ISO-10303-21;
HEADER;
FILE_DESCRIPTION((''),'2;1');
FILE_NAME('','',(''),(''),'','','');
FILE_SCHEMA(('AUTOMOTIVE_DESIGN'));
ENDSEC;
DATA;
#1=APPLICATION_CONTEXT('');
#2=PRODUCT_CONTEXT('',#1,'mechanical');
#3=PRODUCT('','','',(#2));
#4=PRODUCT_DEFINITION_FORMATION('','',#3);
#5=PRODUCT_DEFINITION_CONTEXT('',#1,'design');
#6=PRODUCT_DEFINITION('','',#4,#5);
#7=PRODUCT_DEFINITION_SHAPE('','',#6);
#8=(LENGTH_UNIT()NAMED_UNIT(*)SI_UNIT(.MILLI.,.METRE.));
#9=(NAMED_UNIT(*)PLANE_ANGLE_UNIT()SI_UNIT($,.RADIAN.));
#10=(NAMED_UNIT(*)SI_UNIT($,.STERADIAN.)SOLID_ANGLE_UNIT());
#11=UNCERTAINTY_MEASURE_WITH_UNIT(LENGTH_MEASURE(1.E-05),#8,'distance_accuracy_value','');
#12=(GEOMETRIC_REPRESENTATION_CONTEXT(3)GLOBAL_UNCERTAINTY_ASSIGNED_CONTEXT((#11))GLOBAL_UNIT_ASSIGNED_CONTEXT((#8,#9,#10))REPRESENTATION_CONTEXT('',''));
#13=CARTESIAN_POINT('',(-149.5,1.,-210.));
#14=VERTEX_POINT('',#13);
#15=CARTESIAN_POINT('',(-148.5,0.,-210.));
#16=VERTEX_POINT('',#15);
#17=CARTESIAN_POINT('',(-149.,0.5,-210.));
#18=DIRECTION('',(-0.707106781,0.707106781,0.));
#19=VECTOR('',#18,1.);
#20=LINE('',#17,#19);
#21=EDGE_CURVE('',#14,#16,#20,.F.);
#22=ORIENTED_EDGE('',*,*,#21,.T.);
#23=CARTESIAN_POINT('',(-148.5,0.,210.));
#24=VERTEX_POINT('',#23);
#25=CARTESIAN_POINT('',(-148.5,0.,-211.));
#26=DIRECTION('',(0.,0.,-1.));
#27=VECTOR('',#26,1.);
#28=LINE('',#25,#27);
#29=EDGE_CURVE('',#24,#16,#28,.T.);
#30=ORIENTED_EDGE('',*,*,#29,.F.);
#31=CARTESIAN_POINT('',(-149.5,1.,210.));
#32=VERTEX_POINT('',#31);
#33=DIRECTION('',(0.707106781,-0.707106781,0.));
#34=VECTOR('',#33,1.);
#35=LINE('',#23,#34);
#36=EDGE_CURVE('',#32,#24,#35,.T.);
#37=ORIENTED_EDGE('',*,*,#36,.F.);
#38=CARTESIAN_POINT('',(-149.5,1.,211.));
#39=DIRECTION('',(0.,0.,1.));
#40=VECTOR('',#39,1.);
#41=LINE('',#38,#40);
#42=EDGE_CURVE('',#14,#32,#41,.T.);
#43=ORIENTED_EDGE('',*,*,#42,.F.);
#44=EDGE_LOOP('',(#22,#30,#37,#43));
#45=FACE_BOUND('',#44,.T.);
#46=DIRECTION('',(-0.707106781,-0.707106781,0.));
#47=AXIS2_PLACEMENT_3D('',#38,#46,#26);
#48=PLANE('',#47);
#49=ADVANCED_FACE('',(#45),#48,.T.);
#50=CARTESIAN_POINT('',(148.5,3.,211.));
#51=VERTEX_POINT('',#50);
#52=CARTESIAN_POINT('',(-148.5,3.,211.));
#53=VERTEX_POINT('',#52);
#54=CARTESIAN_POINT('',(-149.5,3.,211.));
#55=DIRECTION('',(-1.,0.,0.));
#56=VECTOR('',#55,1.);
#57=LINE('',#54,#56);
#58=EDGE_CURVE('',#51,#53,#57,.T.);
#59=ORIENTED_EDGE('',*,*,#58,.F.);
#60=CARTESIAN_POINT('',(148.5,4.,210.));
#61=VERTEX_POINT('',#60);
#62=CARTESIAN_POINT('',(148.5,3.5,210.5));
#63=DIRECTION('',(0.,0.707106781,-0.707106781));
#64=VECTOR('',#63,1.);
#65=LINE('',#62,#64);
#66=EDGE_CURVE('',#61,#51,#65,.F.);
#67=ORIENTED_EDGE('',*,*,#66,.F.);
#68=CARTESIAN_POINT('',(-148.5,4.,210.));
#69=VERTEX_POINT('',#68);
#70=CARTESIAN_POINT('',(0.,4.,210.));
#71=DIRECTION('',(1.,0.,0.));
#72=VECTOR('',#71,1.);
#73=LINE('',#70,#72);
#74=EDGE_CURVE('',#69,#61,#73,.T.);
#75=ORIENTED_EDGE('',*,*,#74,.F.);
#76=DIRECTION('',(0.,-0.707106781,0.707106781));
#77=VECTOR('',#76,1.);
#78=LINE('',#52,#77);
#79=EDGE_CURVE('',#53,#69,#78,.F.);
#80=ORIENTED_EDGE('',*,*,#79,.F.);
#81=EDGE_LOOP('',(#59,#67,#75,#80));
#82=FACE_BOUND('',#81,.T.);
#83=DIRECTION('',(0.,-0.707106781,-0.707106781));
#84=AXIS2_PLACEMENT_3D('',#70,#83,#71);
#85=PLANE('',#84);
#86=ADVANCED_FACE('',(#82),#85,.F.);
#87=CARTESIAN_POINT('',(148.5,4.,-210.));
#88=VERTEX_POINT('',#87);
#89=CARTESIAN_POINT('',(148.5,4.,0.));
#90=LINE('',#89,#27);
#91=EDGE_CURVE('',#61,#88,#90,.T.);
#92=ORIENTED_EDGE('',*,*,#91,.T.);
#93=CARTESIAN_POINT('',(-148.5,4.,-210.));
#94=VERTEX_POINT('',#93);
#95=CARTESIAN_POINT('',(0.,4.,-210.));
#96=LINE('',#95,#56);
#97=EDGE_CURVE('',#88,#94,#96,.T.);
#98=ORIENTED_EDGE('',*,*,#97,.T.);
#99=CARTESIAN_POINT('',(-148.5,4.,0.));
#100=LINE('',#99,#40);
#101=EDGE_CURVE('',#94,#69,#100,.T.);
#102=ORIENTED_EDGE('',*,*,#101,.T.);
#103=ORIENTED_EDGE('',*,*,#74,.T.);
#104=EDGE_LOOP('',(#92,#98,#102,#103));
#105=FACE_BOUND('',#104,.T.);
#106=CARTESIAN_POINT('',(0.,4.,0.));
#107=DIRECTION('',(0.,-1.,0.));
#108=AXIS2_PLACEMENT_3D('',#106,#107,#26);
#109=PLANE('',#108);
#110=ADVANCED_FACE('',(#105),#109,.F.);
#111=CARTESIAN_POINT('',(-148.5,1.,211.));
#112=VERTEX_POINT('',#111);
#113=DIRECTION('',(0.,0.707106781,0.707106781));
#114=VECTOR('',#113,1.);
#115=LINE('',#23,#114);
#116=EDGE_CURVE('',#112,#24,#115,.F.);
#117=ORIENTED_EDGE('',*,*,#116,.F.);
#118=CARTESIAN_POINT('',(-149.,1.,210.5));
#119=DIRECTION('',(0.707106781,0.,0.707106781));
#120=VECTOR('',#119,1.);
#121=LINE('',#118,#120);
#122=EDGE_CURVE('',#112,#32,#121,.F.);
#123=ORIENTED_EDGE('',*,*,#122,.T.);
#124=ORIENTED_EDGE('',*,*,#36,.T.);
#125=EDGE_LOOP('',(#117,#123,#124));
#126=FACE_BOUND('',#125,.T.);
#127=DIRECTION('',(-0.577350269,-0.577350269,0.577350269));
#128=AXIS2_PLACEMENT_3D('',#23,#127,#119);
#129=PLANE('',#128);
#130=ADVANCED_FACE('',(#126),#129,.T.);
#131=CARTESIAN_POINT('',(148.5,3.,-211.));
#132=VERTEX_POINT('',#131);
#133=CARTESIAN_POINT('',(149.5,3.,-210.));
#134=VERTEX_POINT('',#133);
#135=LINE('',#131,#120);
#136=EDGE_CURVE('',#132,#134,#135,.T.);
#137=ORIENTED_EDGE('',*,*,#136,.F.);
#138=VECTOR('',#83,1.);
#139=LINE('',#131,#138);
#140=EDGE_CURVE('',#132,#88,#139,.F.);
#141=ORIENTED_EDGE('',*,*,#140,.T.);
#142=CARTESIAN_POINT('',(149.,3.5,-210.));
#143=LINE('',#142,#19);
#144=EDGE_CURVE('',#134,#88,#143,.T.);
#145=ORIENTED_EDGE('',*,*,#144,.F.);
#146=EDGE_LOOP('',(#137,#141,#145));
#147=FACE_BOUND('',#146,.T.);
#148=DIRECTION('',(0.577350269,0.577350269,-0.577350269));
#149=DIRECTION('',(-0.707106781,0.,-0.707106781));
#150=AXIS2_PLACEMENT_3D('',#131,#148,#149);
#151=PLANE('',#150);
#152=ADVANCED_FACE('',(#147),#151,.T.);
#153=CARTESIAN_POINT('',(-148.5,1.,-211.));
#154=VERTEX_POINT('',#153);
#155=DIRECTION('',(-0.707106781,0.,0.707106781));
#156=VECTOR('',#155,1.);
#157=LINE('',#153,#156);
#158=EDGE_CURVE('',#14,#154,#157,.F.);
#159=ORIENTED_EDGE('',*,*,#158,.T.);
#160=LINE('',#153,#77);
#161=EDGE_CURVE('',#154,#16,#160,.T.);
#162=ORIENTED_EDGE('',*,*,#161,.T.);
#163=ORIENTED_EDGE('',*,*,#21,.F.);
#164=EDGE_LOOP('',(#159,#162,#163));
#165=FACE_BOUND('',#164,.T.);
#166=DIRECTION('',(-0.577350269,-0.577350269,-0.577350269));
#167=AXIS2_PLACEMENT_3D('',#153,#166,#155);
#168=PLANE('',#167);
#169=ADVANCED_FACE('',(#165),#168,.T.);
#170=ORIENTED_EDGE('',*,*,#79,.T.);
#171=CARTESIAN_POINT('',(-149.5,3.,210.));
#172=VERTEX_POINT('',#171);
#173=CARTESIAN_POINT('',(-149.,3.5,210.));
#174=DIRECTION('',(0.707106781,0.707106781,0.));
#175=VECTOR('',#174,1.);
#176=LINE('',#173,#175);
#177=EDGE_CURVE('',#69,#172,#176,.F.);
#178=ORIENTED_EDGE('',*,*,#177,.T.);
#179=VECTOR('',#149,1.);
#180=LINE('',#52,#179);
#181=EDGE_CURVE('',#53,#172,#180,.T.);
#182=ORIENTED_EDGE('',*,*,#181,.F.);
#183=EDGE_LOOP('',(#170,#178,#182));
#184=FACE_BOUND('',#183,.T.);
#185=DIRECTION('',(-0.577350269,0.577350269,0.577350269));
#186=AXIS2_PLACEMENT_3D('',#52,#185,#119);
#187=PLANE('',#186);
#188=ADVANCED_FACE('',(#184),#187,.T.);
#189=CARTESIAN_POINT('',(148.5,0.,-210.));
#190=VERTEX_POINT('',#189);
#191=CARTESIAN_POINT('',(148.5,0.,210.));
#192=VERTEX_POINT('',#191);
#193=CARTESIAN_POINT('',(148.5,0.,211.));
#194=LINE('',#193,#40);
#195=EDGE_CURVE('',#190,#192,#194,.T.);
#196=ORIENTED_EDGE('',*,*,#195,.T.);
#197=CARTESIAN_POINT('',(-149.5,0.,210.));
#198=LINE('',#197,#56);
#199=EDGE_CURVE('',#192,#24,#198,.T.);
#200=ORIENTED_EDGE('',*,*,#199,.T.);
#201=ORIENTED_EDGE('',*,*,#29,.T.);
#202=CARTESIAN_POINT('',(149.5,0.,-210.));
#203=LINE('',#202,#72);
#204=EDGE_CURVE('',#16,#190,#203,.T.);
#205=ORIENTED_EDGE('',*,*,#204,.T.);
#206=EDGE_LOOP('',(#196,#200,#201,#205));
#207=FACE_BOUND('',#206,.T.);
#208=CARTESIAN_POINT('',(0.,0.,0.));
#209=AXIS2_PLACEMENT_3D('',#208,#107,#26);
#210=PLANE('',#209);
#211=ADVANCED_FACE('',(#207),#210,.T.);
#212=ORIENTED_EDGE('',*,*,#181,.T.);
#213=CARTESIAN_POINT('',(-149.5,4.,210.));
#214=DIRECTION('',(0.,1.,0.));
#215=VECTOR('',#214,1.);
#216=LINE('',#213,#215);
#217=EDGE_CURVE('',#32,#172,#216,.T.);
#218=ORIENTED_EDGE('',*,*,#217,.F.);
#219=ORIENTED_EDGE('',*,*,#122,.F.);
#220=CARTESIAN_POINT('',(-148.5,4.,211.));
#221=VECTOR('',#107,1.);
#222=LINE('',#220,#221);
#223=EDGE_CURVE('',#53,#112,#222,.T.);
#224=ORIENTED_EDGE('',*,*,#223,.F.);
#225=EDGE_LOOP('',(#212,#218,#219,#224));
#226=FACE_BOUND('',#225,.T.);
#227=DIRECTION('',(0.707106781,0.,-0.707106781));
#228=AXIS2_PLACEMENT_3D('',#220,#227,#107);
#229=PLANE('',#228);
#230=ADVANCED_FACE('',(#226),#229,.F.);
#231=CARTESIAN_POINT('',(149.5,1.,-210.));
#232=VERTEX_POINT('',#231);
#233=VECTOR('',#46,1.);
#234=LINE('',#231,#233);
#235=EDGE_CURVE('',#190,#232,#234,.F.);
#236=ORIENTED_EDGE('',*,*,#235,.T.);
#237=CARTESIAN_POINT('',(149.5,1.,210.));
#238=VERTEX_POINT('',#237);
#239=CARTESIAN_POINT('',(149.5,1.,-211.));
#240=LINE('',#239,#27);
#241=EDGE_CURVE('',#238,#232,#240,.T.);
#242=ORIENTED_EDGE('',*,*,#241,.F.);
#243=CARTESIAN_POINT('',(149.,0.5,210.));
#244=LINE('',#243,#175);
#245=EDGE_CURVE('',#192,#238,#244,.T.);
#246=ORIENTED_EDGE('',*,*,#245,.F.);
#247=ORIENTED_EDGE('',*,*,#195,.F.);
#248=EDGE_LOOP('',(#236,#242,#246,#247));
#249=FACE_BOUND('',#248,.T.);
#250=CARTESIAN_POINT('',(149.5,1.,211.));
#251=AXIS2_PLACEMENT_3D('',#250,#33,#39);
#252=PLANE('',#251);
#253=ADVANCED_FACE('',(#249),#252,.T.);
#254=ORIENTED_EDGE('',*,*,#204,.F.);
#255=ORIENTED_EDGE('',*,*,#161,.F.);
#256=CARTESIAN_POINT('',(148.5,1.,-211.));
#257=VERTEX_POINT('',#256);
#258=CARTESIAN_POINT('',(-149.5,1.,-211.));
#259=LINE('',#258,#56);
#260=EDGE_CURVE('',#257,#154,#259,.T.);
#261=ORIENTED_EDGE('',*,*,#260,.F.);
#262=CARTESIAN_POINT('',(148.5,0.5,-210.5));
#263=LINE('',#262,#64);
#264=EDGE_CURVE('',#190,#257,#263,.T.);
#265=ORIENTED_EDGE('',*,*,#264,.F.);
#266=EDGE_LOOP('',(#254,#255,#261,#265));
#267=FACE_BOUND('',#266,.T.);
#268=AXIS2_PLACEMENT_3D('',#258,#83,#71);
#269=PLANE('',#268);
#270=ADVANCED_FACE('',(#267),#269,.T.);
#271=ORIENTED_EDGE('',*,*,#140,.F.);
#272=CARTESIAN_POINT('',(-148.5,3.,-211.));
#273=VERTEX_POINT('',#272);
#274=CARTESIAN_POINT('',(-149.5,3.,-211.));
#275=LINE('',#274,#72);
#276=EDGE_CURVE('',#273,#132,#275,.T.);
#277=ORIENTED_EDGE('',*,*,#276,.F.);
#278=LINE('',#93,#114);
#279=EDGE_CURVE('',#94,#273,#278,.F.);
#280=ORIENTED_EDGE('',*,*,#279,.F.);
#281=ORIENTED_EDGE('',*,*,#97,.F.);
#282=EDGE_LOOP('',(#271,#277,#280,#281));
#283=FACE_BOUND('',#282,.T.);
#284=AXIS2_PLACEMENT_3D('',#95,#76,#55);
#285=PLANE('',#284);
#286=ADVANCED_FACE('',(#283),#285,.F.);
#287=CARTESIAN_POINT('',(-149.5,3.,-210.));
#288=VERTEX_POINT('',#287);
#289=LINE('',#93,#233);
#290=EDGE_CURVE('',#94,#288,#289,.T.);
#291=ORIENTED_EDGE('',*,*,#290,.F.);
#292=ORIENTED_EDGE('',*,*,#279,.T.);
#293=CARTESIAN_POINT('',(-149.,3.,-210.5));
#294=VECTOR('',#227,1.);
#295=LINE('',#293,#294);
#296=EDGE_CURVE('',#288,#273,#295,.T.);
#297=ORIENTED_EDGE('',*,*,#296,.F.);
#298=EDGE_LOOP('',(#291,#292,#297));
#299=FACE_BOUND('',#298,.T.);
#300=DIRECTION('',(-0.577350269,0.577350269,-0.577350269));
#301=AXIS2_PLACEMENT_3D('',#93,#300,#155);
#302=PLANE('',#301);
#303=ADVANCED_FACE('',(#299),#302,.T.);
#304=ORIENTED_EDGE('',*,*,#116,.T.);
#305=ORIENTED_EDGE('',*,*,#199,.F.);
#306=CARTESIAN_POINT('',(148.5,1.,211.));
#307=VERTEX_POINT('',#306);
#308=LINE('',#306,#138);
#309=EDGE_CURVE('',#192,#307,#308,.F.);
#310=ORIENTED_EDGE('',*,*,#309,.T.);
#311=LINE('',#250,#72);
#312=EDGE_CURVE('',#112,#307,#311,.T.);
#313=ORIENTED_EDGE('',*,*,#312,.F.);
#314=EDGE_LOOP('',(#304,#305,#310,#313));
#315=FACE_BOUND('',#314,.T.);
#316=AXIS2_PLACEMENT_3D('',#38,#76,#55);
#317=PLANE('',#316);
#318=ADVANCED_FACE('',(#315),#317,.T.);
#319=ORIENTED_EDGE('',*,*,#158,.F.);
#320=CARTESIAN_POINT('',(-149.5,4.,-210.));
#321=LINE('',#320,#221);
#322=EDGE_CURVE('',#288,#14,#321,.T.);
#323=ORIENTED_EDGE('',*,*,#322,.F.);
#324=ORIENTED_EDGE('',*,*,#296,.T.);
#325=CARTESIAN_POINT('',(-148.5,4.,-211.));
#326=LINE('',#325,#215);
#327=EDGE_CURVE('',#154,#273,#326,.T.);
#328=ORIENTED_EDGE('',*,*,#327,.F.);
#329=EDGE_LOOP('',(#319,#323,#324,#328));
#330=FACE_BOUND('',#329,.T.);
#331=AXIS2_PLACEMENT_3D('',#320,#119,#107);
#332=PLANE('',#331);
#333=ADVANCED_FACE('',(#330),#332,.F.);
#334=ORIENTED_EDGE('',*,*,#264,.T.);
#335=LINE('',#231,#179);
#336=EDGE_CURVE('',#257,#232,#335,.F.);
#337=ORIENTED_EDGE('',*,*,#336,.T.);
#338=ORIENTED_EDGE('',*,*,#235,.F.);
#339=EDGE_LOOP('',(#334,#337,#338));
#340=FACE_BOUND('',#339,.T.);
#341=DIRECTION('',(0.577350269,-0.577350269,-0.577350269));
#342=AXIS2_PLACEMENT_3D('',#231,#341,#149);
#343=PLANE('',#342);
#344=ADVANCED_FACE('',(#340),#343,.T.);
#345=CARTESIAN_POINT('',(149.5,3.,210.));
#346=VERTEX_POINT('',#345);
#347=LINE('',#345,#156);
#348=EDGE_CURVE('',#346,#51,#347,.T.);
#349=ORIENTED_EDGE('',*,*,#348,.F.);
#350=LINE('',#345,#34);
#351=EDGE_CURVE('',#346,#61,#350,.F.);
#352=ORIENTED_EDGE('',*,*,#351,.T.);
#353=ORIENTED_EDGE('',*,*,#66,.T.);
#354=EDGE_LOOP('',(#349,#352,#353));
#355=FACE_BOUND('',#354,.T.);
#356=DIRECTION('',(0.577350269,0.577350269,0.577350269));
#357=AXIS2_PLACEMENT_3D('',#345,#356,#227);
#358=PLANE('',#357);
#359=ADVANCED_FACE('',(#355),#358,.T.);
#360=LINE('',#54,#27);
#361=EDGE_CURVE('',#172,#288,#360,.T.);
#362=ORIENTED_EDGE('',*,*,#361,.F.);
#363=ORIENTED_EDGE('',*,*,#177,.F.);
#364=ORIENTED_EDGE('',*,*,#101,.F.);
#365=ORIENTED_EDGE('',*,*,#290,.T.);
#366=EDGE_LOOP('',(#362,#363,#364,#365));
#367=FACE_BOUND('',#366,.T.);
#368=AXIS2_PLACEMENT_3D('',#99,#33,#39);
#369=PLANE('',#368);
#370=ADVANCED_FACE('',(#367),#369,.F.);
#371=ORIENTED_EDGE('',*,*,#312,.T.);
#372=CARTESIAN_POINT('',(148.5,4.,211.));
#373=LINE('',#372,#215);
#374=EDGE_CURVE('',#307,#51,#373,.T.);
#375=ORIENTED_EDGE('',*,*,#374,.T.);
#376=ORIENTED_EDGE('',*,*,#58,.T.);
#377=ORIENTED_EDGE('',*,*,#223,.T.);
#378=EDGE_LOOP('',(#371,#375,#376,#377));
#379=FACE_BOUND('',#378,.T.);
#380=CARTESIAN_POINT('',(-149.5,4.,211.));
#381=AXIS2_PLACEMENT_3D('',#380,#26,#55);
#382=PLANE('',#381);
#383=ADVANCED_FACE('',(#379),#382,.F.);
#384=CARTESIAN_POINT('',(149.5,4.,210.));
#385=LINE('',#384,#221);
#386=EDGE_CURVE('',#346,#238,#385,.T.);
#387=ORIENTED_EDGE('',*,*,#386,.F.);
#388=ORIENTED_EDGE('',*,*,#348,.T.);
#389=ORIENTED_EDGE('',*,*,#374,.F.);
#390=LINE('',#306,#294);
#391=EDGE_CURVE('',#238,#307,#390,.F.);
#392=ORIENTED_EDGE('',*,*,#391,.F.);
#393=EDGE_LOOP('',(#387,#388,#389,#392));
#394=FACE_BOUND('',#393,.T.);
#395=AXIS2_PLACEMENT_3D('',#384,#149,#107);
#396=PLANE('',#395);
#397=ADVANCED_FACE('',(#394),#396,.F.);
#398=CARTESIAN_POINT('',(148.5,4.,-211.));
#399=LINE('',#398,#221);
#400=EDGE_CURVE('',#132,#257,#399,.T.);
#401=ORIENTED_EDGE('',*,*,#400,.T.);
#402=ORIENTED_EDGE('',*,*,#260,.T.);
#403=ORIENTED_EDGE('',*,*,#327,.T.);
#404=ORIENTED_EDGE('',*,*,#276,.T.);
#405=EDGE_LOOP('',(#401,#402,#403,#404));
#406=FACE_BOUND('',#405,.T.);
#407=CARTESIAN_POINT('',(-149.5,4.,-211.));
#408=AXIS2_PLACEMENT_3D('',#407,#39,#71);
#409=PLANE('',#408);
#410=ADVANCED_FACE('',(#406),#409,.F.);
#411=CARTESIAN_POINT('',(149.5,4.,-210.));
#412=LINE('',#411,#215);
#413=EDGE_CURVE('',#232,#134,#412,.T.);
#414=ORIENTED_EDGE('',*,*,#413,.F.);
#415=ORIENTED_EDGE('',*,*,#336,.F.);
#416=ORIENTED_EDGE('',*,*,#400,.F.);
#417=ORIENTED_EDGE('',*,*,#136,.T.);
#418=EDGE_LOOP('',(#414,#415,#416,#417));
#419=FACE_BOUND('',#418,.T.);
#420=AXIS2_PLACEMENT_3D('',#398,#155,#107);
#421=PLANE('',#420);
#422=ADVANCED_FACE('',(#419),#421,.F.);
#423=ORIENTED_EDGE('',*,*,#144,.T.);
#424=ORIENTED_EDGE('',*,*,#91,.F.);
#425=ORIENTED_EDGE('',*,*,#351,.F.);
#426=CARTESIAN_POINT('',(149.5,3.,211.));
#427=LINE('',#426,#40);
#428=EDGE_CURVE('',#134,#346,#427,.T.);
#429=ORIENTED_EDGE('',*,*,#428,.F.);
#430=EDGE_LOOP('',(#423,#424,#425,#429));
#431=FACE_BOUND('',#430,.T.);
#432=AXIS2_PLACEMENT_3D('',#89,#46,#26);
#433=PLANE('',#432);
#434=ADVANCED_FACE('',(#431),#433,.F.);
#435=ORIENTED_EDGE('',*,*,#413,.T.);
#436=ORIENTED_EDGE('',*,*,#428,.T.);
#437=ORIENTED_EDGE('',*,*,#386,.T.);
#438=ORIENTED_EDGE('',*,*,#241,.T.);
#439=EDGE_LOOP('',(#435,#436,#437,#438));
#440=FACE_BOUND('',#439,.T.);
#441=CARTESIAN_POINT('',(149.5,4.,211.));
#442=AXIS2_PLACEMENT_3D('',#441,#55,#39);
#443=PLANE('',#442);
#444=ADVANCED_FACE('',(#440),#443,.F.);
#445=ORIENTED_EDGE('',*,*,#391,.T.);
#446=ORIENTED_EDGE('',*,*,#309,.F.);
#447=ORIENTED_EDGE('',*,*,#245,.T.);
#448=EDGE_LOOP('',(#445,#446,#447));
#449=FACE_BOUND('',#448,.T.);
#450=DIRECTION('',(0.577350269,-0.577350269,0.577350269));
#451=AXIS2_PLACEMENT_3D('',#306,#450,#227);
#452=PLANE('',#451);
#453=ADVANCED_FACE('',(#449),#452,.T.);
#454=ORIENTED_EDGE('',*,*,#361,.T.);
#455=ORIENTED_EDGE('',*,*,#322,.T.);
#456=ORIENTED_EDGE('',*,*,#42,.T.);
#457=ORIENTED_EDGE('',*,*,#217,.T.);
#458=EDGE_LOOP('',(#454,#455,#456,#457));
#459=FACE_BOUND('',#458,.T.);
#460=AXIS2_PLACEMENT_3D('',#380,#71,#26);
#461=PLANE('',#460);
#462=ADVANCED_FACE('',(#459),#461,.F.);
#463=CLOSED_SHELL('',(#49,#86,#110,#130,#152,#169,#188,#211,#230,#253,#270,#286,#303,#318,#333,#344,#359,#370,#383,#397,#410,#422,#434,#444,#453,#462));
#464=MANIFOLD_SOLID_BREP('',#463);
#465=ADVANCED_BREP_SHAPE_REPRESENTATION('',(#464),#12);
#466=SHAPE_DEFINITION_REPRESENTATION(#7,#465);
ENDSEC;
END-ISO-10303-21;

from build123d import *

# Parameters (mm, degrees)
CROQUIS1_W              = 299
CROQUIS1_H              = 422
SALIENTE_EXTRUIR1_DEPTH = 4
CHAFL_N1_SIZE           = 1


with BuildPart() as part:
    # Croquis1 → Saliente-Extruir1 (new body)
    with BuildSketch(Plane(origin=(0, 0, 0), x_dir=(1, 0, 0), z_dir=(0, 1, 0))):
        Rectangle(CROQUIS1_W, CROQUIS1_H)
    extrude(amount=SALIENTE_EXTRUIR1_DEPTH)

    # Chaflán1
    chafl_n1_edges = [part.edges().sort_by_distance(p)[0] for p in [
        (149.5, 4, 0),
        (0, 4, -211),
        (-149.5, 4, 0),
        (0, 0, -211),
        (149.5, 0, 0),
        (0, 0, 211),
        (-149.5, 0, 0),
        (0, 4, 211),
        (-149.5, 2, -211),
        (149.5, 2, -211),
        (149.5, 2, 211),
        (-149.5, 2, 211),
    ]]
    chamfer(chafl_n1_edges, length=CHAFL_N1_SIZE)


solid = part.part
